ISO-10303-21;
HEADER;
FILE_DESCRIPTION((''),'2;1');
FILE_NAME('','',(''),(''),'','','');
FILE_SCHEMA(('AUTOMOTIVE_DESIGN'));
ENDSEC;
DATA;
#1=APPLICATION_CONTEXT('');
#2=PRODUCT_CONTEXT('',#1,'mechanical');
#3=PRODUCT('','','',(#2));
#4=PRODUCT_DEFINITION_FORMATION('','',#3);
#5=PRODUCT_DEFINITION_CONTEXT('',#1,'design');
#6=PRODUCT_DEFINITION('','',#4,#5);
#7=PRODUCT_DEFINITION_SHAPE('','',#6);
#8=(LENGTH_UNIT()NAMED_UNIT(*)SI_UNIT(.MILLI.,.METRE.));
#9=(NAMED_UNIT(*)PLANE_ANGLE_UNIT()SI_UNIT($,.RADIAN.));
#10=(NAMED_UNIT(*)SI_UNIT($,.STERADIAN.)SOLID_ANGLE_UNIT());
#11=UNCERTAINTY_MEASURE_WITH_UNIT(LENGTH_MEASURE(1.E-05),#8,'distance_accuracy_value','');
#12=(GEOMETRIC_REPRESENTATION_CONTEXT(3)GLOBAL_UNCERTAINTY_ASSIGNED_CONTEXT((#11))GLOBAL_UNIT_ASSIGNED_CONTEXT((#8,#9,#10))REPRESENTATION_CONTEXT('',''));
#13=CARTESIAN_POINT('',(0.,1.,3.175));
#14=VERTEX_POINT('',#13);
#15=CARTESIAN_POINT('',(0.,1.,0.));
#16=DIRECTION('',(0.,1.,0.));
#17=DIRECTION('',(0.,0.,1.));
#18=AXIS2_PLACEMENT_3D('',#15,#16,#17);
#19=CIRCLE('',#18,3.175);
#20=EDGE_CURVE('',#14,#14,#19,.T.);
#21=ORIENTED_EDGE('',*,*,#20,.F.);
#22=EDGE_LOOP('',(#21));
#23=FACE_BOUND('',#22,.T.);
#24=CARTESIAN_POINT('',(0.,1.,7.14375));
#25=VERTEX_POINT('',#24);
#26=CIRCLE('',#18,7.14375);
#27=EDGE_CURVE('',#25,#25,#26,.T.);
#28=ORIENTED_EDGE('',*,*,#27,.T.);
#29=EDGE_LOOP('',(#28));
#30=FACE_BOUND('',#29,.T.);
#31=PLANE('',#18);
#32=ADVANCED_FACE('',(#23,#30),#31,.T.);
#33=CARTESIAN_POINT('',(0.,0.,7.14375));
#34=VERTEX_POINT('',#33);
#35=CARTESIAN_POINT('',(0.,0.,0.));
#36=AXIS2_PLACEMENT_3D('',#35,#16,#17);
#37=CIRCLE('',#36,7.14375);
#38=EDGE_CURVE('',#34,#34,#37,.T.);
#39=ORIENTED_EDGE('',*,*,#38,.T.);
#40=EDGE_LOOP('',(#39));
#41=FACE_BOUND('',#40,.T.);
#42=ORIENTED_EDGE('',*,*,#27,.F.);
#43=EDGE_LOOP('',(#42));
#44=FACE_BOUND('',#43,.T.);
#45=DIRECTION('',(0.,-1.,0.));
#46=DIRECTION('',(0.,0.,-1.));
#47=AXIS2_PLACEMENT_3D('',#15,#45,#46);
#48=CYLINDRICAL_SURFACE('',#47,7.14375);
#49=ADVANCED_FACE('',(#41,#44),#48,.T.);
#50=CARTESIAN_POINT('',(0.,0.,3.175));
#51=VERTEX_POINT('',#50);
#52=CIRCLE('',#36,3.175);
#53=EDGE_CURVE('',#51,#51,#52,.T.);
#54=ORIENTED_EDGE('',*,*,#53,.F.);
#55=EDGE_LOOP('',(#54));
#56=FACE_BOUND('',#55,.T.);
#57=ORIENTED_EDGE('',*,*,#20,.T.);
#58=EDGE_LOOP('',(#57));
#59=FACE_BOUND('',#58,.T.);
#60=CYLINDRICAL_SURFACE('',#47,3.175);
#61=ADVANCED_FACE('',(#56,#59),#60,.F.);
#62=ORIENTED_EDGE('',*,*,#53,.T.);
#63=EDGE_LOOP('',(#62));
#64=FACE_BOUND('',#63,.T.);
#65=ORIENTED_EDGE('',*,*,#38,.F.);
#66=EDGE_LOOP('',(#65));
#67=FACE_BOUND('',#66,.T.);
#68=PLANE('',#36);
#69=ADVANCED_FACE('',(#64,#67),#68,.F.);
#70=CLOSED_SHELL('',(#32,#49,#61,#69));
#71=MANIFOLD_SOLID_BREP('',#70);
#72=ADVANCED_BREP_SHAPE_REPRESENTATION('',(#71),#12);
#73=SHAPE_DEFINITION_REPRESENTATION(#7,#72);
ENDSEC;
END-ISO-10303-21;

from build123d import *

# Parameters (mm, degrees)
SKETCH1_R         = 7.14375
SKETCH1_R_2       = 3.175
WASHER_BODY_DEPTH = 1


with BuildPart() as part:
    # Sketch1 → Washer_Body (new body)
    with BuildSketch(Plane(origin=(0, 0, 0), x_dir=(1, 0, 0), z_dir=(0, 1, 0))):
        with Locations(Location((0, 0, 0), (0, 0, 270))):
            Circle(SKETCH1_R)
        with Locations(Location((0, 0, 0), (0, 0, 270))):
            Circle(SKETCH1_R_2, mode=Mode.SUBTRACT)
    extrude(amount=WASHER_BODY_DEPTH)


solid = part.part
